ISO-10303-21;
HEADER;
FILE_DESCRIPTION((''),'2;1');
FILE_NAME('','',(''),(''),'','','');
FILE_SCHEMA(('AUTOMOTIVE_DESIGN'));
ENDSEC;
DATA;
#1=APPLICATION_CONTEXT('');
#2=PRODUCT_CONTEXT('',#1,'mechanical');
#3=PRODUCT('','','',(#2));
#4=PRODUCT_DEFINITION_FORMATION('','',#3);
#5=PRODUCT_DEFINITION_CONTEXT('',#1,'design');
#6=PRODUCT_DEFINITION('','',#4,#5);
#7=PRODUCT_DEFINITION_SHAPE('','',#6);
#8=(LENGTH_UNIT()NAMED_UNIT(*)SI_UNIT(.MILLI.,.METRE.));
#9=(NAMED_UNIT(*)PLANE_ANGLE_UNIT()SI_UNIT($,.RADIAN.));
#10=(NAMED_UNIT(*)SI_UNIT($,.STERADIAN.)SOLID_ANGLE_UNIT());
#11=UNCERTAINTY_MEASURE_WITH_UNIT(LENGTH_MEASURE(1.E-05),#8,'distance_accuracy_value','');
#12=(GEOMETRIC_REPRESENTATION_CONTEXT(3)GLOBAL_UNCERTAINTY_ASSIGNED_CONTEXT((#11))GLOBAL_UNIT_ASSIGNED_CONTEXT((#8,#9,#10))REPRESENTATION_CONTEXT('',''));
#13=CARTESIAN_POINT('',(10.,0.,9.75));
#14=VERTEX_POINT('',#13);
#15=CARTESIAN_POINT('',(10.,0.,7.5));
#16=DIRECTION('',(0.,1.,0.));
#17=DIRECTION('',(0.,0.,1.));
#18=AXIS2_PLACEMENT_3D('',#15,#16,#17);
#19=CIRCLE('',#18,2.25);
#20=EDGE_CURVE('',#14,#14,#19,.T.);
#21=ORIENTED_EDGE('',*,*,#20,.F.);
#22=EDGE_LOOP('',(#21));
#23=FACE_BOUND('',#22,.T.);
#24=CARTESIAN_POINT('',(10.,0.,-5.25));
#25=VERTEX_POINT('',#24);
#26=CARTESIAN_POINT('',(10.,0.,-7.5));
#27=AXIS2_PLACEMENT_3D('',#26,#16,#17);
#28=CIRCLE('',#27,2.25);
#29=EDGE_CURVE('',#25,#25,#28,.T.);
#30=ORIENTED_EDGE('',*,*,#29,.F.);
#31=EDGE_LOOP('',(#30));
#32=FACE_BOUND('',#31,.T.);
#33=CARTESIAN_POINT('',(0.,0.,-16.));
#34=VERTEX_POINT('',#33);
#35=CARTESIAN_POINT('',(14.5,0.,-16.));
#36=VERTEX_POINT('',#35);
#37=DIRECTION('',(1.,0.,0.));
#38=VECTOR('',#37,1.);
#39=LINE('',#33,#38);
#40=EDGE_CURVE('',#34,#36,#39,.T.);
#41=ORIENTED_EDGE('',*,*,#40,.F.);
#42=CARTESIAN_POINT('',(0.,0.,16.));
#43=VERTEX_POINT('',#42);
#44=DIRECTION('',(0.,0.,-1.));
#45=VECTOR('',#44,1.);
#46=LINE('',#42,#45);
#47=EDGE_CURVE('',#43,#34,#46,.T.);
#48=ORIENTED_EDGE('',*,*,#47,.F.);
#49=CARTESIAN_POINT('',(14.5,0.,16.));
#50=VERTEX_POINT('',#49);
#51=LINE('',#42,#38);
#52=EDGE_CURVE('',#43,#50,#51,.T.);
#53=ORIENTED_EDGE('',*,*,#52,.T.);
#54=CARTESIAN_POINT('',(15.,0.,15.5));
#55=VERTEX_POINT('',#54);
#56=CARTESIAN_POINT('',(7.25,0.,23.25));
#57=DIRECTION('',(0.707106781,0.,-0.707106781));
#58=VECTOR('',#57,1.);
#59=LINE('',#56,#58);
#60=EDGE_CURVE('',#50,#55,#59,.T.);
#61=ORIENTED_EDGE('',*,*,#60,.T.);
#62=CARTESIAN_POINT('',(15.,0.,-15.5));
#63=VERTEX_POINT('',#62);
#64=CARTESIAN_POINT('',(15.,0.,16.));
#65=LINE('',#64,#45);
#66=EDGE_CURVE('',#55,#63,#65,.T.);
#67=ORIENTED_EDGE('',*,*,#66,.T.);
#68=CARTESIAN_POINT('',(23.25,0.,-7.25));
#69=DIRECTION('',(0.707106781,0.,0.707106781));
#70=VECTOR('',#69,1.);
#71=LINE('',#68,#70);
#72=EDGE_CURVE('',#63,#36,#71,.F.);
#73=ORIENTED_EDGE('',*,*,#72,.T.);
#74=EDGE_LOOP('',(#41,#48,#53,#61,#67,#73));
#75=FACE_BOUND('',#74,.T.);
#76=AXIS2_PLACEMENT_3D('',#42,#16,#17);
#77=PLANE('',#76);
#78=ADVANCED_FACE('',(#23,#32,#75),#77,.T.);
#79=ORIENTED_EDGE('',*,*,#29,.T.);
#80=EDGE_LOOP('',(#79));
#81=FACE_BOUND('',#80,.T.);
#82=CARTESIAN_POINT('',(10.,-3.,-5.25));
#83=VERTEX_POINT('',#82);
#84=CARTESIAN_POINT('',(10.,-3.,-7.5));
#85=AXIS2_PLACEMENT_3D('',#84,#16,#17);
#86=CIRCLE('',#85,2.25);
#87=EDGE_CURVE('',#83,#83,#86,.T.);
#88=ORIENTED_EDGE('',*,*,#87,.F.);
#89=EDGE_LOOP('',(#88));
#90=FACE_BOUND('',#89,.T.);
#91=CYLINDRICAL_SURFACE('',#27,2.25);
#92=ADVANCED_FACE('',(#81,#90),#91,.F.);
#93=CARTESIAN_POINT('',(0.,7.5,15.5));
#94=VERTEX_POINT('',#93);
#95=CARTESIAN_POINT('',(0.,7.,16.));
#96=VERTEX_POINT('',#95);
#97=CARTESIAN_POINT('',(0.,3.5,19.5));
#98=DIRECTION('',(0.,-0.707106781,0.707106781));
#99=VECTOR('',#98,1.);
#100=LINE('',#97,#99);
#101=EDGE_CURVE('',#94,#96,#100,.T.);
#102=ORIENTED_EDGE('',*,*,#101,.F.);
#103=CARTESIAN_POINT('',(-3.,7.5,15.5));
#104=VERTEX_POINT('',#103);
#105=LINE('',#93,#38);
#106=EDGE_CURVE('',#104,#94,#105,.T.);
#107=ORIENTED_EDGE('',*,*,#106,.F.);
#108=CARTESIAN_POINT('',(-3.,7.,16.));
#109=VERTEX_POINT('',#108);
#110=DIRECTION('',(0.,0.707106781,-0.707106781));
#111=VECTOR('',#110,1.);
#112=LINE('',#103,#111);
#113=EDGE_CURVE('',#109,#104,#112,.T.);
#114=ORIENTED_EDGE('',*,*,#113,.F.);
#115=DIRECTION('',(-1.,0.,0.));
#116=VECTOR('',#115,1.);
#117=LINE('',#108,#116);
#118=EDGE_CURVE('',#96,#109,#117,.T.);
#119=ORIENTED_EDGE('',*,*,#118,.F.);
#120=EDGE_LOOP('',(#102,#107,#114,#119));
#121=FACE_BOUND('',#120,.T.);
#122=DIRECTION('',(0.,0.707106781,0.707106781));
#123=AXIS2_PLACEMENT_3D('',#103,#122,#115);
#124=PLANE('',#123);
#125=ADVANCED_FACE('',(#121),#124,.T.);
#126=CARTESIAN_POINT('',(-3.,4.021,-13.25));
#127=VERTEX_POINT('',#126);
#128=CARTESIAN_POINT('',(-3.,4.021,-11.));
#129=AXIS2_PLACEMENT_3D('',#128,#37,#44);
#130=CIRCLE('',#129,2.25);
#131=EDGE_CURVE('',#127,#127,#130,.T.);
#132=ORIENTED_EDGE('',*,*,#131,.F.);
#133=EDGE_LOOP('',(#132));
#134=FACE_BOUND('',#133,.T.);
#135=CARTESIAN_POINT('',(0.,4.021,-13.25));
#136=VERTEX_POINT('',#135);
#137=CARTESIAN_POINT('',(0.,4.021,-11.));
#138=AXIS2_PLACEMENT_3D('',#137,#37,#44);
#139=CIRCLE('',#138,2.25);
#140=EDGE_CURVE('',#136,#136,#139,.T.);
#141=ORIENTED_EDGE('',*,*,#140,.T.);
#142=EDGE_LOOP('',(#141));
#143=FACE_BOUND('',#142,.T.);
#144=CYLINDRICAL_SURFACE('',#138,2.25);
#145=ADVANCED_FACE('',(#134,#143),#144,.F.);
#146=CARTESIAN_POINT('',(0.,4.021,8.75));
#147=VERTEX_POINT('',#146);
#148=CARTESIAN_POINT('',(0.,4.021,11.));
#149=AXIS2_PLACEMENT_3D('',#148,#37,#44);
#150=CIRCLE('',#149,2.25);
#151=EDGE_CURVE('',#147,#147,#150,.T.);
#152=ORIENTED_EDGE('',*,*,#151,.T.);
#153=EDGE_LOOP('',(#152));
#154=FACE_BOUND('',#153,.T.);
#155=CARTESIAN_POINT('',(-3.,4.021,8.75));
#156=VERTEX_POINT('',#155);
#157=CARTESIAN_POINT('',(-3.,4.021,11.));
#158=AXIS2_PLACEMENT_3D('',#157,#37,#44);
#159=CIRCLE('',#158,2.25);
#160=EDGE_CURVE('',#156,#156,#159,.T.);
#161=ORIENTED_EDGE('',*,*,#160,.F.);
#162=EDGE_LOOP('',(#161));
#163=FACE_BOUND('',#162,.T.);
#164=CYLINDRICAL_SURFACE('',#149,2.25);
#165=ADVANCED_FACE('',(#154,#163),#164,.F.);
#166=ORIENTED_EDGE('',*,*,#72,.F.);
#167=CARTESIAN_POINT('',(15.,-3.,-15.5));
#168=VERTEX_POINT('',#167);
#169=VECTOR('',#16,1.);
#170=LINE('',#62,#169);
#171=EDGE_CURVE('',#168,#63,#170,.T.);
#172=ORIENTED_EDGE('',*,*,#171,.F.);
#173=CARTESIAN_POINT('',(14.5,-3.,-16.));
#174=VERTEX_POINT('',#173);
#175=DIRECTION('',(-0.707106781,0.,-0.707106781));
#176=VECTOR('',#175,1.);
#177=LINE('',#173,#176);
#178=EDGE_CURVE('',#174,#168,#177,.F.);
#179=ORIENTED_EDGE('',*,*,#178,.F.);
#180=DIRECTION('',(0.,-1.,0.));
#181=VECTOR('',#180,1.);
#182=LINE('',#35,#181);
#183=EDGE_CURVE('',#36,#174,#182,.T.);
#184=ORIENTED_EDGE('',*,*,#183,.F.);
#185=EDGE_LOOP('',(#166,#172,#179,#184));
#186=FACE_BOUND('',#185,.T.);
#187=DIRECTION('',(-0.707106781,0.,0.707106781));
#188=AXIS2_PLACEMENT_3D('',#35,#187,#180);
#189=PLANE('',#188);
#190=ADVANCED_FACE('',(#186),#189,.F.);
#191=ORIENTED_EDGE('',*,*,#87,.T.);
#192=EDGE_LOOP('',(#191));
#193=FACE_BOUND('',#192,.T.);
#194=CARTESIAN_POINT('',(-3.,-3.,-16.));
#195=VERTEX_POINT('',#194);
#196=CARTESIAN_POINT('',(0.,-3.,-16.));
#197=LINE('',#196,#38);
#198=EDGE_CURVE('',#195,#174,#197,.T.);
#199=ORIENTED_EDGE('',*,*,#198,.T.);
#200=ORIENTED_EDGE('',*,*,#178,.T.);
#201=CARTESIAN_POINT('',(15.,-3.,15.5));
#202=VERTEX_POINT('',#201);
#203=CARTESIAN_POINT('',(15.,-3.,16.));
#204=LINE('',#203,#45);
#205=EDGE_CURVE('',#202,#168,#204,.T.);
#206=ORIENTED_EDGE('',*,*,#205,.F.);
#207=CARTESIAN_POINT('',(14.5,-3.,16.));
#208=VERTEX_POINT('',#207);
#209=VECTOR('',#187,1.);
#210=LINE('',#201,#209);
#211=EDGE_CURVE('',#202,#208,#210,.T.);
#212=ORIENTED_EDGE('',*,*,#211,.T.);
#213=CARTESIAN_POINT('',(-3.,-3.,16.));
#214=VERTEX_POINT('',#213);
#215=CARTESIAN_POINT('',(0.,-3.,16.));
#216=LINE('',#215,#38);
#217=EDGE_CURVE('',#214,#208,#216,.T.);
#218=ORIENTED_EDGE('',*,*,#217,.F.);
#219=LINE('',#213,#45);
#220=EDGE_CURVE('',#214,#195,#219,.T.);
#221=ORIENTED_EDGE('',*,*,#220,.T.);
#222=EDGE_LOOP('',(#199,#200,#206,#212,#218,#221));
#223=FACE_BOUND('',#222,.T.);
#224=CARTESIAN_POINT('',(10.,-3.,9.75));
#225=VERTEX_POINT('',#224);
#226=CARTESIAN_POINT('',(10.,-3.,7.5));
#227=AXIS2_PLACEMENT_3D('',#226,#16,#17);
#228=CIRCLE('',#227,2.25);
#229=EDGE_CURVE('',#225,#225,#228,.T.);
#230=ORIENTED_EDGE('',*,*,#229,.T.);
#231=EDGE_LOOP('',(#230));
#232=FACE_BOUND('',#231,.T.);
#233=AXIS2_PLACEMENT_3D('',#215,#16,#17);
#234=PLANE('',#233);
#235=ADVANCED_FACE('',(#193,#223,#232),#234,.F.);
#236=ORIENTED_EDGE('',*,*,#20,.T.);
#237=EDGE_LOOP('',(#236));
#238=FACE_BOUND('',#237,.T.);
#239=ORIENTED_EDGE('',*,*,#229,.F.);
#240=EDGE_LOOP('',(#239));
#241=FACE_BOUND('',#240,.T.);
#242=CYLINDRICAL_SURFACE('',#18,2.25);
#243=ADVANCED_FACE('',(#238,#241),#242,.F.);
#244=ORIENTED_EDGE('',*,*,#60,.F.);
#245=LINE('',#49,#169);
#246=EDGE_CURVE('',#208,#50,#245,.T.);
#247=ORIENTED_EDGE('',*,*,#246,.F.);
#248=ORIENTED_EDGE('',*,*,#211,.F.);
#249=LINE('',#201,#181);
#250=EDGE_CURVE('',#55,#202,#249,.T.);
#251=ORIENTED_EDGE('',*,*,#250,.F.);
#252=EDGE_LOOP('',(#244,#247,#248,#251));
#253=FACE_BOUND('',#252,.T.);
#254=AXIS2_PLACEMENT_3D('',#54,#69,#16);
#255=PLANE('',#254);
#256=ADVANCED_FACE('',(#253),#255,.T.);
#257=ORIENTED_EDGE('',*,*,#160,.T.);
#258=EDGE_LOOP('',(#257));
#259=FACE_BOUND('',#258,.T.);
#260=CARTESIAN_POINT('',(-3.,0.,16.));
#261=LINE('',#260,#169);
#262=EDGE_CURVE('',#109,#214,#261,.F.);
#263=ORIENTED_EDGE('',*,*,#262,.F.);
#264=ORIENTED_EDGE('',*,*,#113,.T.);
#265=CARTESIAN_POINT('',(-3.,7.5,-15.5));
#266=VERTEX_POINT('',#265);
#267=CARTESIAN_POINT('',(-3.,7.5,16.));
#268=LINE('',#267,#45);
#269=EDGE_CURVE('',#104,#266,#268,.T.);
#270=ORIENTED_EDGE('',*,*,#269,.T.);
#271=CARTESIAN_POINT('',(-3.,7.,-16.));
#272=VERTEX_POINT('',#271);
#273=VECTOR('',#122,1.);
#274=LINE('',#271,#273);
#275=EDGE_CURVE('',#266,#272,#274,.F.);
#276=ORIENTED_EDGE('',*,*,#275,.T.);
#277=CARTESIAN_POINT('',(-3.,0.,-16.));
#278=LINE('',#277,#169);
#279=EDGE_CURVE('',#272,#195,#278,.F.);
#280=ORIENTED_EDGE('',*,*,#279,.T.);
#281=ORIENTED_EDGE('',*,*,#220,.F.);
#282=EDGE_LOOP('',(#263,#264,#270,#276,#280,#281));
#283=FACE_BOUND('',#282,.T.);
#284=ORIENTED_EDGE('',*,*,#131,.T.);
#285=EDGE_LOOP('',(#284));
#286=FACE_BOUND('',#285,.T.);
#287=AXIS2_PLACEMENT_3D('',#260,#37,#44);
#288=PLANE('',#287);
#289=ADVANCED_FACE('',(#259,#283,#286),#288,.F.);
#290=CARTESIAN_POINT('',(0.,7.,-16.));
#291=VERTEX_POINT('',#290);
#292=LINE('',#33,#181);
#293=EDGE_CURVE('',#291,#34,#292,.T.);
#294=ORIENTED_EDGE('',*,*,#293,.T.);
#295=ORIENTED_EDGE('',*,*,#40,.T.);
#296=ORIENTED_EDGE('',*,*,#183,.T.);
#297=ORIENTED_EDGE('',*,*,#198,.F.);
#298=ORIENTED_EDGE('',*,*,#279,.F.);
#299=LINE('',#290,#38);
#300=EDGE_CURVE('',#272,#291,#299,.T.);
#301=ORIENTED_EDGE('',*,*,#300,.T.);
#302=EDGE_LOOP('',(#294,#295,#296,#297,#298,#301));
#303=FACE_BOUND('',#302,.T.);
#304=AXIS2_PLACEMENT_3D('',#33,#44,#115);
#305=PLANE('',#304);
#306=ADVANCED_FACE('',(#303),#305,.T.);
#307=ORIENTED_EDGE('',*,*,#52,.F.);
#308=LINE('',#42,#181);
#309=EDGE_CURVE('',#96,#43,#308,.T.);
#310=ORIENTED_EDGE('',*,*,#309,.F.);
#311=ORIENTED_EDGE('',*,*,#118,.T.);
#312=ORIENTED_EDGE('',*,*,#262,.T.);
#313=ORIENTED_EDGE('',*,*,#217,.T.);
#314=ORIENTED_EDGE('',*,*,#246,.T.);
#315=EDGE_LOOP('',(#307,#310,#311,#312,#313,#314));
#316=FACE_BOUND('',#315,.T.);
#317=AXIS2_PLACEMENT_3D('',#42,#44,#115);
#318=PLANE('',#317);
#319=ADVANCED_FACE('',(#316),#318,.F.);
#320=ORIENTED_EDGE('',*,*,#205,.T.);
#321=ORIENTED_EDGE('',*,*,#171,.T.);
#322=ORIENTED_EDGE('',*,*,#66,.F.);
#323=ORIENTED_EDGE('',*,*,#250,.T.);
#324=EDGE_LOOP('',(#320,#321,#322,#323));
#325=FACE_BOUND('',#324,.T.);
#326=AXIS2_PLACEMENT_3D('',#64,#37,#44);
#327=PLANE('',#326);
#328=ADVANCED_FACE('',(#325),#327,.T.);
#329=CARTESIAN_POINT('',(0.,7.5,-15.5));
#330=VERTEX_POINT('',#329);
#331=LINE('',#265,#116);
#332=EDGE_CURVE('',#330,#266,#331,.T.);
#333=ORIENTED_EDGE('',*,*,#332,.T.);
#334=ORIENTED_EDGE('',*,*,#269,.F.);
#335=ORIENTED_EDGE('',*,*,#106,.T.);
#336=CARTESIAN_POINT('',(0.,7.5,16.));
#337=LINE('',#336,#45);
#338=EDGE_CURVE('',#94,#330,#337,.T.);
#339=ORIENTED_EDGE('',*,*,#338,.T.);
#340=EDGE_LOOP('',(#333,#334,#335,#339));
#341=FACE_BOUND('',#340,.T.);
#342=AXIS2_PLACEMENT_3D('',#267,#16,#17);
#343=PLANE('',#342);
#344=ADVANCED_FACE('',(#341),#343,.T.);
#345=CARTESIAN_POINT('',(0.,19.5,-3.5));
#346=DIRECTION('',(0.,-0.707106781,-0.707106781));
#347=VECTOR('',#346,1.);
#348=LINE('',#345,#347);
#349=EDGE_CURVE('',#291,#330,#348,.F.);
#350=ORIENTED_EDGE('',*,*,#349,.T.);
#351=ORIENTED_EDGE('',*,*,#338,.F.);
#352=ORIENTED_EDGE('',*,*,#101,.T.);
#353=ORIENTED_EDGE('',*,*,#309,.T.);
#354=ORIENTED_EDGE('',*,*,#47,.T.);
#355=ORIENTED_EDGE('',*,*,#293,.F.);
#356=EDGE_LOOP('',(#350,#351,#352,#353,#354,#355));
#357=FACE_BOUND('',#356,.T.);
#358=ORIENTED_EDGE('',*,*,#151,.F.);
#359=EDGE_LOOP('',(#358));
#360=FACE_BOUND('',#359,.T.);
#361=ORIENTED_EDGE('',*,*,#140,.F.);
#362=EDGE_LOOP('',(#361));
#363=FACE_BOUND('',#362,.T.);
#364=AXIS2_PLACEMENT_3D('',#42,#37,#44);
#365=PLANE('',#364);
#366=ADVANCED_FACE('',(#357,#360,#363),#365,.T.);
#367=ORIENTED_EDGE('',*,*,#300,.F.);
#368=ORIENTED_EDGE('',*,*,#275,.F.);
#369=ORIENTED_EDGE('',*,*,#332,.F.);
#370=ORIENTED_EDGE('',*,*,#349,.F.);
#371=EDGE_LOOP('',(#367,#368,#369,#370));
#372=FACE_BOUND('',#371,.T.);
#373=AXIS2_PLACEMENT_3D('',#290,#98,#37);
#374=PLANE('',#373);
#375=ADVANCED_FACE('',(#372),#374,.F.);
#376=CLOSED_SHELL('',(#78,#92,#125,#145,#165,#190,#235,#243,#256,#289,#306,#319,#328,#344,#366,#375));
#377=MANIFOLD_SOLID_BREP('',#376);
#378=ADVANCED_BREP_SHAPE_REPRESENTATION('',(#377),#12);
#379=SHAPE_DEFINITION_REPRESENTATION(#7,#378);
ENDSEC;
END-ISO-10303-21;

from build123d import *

# Parameters (mm, degrees)
EXTRUDE_1_DEPTH             = 16
HOLE_WIZARD_4_5_4_5_1_D     = 4.5
HOLE_WIZARD_4_5_4_5_1_DEPTH = 5
HOLE_WIZARD_4_5_4_5_1_TIP   = 1.351936393
HOLE_WIZARD_4_5_4_5_2_D     = 4.5
HOLE_WIZARD_4_5_4_5_2_DEPTH = 5
HOLE_WIZARD_4_5_4_5_2_TIP   = 1.351936393
CHAMFER_1_SIZE              = 0.5


with BuildPart() as part:
    # 草图6 → 拉伸-薄壁1 (new, symmetric)
    with BuildSketch(Plane.XY):
        Polygon((15, 0), (0, 0), (0, 7.5), (-3, 7.5), (-3, -3), (15, -3), align=None)
    extrude(amount=EXTRUDE_1_DEPTH, both=True)

    # Ø4.5 (4.5) 直径孔1
    with Locations(Plane(origin=(0, -1.729, -9.85), x_dir=(0, 0, 1), z_dir=(1, 0, 0))):
        with Locations((-1.15, -5.75), (20.85, -5.75)):
            Hole(HOLE_WIZARD_4_5_4_5_1_D / 2, depth=HOLE_WIZARD_4_5_4_5_1_DEPTH)
            with Locations((0, 0, -(HOLE_WIZARD_4_5_4_5_1_DEPTH + HOLE_WIZARD_4_5_4_5_1_TIP / 2))):  # 118° drill point
                Cone(0, HOLE_WIZARD_4_5_4_5_1_D / 2, HOLE_WIZARD_4_5_4_5_1_TIP, mode=Mode.SUBTRACT)

    # Ø4.5 (4.5) 直径孔2
    with Locations(Plane(origin=(0, 0, 0), x_dir=(1, 0, 0), z_dir=(0, 1, 0))):
        with Locations((10, -7.5), (10, 7.5)):
            Hole(HOLE_WIZARD_4_5_4_5_2_D / 2, depth=HOLE_WIZARD_4_5_4_5_2_DEPTH)
            with Locations((0, 0, -(HOLE_WIZARD_4_5_4_5_2_DEPTH + HOLE_WIZARD_4_5_4_5_2_TIP / 2))):  # 118° drill point
                Cone(0, HOLE_WIZARD_4_5_4_5_2_D / 2, HOLE_WIZARD_4_5_4_5_2_TIP, mode=Mode.SUBTRACT)

    # 倒角1
    chamfer_1_edges = [part.edges().sort_by_distance(p)[0] for p in [
        (-1.5, 7.5, 16),
        (-1.5, 7.5, -16),
        (15, -1.5, -16),
        (15, -1.5, 16),
    ]]
    chamfer(chamfer_1_edges, length=CHAMFER_1_SIZE)


solid = part.part
